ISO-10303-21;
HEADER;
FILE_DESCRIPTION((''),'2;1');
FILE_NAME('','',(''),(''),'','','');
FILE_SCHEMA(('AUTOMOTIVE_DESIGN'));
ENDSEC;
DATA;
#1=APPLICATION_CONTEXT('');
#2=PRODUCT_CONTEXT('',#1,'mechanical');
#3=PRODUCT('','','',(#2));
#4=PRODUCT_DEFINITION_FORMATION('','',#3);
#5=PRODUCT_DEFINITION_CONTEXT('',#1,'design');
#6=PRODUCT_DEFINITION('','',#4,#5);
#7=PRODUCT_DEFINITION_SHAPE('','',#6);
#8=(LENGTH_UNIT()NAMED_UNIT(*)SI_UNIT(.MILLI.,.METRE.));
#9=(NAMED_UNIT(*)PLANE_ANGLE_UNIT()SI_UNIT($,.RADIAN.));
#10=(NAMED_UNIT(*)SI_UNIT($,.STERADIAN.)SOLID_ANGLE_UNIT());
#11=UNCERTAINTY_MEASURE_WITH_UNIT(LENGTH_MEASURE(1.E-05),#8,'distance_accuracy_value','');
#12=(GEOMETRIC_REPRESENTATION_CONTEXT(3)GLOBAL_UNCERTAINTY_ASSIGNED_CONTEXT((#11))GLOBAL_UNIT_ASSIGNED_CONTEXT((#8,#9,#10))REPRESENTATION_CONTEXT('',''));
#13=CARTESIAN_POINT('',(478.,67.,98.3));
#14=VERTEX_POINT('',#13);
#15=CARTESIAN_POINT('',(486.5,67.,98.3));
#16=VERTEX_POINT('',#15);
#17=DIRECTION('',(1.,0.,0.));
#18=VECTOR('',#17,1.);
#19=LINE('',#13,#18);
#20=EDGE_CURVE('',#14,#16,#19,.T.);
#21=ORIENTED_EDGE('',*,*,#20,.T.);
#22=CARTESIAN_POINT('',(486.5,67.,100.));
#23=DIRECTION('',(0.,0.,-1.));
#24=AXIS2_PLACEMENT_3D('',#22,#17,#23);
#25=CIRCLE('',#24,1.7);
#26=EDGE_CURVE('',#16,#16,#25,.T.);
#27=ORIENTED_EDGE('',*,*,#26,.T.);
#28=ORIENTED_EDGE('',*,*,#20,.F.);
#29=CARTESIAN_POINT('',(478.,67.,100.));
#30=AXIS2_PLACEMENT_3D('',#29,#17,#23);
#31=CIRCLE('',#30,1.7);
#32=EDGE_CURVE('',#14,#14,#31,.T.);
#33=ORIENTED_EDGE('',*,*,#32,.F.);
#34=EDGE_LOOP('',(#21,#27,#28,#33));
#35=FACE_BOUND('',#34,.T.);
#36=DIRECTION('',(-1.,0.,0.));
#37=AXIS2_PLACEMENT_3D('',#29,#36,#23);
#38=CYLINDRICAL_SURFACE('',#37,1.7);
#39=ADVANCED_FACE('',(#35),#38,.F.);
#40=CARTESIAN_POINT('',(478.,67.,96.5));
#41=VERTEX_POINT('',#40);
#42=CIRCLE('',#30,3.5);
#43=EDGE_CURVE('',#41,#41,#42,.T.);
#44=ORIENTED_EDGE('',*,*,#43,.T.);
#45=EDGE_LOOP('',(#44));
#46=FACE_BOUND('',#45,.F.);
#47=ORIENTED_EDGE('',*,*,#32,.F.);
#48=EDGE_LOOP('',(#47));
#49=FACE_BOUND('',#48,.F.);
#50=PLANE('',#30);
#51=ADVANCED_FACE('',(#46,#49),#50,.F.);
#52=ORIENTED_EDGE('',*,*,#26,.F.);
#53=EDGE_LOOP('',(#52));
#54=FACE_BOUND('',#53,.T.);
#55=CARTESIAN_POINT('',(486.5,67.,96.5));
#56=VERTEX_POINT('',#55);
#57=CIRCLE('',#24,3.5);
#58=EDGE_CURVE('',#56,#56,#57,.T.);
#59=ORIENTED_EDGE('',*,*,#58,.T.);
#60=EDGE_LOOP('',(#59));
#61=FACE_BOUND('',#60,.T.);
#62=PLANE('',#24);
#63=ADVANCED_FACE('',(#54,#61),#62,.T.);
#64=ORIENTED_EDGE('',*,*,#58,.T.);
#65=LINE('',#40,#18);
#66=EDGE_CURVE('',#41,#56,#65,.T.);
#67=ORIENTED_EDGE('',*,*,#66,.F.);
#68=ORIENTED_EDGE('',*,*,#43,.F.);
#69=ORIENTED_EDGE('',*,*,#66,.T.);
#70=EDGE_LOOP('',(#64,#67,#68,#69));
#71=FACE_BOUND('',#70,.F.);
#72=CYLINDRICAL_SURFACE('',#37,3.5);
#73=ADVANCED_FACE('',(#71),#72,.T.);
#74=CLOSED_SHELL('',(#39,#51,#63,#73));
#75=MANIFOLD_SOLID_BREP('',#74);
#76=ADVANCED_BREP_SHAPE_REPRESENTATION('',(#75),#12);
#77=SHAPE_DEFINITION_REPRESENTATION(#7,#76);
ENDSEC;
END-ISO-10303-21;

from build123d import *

# Parameters (mm, degrees)
CYLINDER1393_R     = 1.7
CYLINDER1393_DEPTH = 8.5
CYLINDER1391_R     = 3.5
CYLINDER1391_DEPTH = 8.5


with BuildPart() as cylinder1393:
    # Cylinder1393 → Cylinder1393 (new body)
    with BuildSketch(Plane(origin=(436, 67, 100), x_dir=(0, 0, -1), z_dir=(1, 0, 0))):
        Circle(CYLINDER1393_R)
    extrude(amount=CYLINDER1393_DEPTH)


with BuildPart() as bucket_right_half_long_spacer:
    # Cylinder1391 → Cylinder1391 (new body)
    with BuildSketch(Plane(origin=(436, 67, 100), x_dir=(0, 0, -1), z_dir=(1, 0, 0))):
        Circle(CYLINDER1391_R)
    extrude(amount=CYLINDER1391_DEPTH)

    # Cut014358: cut Cylinder1393
    add(cylinder1393.part, mode=Mode.SUBTRACT)


with BuildPart() as bucket_right_half_long_spacer_1:
    # Cut014358 placement: moved
    add(bucket_right_half_long_spacer.part.moved(Location((42, 0, 0))))


solid = bucket_right_half_long_spacer_1.part
